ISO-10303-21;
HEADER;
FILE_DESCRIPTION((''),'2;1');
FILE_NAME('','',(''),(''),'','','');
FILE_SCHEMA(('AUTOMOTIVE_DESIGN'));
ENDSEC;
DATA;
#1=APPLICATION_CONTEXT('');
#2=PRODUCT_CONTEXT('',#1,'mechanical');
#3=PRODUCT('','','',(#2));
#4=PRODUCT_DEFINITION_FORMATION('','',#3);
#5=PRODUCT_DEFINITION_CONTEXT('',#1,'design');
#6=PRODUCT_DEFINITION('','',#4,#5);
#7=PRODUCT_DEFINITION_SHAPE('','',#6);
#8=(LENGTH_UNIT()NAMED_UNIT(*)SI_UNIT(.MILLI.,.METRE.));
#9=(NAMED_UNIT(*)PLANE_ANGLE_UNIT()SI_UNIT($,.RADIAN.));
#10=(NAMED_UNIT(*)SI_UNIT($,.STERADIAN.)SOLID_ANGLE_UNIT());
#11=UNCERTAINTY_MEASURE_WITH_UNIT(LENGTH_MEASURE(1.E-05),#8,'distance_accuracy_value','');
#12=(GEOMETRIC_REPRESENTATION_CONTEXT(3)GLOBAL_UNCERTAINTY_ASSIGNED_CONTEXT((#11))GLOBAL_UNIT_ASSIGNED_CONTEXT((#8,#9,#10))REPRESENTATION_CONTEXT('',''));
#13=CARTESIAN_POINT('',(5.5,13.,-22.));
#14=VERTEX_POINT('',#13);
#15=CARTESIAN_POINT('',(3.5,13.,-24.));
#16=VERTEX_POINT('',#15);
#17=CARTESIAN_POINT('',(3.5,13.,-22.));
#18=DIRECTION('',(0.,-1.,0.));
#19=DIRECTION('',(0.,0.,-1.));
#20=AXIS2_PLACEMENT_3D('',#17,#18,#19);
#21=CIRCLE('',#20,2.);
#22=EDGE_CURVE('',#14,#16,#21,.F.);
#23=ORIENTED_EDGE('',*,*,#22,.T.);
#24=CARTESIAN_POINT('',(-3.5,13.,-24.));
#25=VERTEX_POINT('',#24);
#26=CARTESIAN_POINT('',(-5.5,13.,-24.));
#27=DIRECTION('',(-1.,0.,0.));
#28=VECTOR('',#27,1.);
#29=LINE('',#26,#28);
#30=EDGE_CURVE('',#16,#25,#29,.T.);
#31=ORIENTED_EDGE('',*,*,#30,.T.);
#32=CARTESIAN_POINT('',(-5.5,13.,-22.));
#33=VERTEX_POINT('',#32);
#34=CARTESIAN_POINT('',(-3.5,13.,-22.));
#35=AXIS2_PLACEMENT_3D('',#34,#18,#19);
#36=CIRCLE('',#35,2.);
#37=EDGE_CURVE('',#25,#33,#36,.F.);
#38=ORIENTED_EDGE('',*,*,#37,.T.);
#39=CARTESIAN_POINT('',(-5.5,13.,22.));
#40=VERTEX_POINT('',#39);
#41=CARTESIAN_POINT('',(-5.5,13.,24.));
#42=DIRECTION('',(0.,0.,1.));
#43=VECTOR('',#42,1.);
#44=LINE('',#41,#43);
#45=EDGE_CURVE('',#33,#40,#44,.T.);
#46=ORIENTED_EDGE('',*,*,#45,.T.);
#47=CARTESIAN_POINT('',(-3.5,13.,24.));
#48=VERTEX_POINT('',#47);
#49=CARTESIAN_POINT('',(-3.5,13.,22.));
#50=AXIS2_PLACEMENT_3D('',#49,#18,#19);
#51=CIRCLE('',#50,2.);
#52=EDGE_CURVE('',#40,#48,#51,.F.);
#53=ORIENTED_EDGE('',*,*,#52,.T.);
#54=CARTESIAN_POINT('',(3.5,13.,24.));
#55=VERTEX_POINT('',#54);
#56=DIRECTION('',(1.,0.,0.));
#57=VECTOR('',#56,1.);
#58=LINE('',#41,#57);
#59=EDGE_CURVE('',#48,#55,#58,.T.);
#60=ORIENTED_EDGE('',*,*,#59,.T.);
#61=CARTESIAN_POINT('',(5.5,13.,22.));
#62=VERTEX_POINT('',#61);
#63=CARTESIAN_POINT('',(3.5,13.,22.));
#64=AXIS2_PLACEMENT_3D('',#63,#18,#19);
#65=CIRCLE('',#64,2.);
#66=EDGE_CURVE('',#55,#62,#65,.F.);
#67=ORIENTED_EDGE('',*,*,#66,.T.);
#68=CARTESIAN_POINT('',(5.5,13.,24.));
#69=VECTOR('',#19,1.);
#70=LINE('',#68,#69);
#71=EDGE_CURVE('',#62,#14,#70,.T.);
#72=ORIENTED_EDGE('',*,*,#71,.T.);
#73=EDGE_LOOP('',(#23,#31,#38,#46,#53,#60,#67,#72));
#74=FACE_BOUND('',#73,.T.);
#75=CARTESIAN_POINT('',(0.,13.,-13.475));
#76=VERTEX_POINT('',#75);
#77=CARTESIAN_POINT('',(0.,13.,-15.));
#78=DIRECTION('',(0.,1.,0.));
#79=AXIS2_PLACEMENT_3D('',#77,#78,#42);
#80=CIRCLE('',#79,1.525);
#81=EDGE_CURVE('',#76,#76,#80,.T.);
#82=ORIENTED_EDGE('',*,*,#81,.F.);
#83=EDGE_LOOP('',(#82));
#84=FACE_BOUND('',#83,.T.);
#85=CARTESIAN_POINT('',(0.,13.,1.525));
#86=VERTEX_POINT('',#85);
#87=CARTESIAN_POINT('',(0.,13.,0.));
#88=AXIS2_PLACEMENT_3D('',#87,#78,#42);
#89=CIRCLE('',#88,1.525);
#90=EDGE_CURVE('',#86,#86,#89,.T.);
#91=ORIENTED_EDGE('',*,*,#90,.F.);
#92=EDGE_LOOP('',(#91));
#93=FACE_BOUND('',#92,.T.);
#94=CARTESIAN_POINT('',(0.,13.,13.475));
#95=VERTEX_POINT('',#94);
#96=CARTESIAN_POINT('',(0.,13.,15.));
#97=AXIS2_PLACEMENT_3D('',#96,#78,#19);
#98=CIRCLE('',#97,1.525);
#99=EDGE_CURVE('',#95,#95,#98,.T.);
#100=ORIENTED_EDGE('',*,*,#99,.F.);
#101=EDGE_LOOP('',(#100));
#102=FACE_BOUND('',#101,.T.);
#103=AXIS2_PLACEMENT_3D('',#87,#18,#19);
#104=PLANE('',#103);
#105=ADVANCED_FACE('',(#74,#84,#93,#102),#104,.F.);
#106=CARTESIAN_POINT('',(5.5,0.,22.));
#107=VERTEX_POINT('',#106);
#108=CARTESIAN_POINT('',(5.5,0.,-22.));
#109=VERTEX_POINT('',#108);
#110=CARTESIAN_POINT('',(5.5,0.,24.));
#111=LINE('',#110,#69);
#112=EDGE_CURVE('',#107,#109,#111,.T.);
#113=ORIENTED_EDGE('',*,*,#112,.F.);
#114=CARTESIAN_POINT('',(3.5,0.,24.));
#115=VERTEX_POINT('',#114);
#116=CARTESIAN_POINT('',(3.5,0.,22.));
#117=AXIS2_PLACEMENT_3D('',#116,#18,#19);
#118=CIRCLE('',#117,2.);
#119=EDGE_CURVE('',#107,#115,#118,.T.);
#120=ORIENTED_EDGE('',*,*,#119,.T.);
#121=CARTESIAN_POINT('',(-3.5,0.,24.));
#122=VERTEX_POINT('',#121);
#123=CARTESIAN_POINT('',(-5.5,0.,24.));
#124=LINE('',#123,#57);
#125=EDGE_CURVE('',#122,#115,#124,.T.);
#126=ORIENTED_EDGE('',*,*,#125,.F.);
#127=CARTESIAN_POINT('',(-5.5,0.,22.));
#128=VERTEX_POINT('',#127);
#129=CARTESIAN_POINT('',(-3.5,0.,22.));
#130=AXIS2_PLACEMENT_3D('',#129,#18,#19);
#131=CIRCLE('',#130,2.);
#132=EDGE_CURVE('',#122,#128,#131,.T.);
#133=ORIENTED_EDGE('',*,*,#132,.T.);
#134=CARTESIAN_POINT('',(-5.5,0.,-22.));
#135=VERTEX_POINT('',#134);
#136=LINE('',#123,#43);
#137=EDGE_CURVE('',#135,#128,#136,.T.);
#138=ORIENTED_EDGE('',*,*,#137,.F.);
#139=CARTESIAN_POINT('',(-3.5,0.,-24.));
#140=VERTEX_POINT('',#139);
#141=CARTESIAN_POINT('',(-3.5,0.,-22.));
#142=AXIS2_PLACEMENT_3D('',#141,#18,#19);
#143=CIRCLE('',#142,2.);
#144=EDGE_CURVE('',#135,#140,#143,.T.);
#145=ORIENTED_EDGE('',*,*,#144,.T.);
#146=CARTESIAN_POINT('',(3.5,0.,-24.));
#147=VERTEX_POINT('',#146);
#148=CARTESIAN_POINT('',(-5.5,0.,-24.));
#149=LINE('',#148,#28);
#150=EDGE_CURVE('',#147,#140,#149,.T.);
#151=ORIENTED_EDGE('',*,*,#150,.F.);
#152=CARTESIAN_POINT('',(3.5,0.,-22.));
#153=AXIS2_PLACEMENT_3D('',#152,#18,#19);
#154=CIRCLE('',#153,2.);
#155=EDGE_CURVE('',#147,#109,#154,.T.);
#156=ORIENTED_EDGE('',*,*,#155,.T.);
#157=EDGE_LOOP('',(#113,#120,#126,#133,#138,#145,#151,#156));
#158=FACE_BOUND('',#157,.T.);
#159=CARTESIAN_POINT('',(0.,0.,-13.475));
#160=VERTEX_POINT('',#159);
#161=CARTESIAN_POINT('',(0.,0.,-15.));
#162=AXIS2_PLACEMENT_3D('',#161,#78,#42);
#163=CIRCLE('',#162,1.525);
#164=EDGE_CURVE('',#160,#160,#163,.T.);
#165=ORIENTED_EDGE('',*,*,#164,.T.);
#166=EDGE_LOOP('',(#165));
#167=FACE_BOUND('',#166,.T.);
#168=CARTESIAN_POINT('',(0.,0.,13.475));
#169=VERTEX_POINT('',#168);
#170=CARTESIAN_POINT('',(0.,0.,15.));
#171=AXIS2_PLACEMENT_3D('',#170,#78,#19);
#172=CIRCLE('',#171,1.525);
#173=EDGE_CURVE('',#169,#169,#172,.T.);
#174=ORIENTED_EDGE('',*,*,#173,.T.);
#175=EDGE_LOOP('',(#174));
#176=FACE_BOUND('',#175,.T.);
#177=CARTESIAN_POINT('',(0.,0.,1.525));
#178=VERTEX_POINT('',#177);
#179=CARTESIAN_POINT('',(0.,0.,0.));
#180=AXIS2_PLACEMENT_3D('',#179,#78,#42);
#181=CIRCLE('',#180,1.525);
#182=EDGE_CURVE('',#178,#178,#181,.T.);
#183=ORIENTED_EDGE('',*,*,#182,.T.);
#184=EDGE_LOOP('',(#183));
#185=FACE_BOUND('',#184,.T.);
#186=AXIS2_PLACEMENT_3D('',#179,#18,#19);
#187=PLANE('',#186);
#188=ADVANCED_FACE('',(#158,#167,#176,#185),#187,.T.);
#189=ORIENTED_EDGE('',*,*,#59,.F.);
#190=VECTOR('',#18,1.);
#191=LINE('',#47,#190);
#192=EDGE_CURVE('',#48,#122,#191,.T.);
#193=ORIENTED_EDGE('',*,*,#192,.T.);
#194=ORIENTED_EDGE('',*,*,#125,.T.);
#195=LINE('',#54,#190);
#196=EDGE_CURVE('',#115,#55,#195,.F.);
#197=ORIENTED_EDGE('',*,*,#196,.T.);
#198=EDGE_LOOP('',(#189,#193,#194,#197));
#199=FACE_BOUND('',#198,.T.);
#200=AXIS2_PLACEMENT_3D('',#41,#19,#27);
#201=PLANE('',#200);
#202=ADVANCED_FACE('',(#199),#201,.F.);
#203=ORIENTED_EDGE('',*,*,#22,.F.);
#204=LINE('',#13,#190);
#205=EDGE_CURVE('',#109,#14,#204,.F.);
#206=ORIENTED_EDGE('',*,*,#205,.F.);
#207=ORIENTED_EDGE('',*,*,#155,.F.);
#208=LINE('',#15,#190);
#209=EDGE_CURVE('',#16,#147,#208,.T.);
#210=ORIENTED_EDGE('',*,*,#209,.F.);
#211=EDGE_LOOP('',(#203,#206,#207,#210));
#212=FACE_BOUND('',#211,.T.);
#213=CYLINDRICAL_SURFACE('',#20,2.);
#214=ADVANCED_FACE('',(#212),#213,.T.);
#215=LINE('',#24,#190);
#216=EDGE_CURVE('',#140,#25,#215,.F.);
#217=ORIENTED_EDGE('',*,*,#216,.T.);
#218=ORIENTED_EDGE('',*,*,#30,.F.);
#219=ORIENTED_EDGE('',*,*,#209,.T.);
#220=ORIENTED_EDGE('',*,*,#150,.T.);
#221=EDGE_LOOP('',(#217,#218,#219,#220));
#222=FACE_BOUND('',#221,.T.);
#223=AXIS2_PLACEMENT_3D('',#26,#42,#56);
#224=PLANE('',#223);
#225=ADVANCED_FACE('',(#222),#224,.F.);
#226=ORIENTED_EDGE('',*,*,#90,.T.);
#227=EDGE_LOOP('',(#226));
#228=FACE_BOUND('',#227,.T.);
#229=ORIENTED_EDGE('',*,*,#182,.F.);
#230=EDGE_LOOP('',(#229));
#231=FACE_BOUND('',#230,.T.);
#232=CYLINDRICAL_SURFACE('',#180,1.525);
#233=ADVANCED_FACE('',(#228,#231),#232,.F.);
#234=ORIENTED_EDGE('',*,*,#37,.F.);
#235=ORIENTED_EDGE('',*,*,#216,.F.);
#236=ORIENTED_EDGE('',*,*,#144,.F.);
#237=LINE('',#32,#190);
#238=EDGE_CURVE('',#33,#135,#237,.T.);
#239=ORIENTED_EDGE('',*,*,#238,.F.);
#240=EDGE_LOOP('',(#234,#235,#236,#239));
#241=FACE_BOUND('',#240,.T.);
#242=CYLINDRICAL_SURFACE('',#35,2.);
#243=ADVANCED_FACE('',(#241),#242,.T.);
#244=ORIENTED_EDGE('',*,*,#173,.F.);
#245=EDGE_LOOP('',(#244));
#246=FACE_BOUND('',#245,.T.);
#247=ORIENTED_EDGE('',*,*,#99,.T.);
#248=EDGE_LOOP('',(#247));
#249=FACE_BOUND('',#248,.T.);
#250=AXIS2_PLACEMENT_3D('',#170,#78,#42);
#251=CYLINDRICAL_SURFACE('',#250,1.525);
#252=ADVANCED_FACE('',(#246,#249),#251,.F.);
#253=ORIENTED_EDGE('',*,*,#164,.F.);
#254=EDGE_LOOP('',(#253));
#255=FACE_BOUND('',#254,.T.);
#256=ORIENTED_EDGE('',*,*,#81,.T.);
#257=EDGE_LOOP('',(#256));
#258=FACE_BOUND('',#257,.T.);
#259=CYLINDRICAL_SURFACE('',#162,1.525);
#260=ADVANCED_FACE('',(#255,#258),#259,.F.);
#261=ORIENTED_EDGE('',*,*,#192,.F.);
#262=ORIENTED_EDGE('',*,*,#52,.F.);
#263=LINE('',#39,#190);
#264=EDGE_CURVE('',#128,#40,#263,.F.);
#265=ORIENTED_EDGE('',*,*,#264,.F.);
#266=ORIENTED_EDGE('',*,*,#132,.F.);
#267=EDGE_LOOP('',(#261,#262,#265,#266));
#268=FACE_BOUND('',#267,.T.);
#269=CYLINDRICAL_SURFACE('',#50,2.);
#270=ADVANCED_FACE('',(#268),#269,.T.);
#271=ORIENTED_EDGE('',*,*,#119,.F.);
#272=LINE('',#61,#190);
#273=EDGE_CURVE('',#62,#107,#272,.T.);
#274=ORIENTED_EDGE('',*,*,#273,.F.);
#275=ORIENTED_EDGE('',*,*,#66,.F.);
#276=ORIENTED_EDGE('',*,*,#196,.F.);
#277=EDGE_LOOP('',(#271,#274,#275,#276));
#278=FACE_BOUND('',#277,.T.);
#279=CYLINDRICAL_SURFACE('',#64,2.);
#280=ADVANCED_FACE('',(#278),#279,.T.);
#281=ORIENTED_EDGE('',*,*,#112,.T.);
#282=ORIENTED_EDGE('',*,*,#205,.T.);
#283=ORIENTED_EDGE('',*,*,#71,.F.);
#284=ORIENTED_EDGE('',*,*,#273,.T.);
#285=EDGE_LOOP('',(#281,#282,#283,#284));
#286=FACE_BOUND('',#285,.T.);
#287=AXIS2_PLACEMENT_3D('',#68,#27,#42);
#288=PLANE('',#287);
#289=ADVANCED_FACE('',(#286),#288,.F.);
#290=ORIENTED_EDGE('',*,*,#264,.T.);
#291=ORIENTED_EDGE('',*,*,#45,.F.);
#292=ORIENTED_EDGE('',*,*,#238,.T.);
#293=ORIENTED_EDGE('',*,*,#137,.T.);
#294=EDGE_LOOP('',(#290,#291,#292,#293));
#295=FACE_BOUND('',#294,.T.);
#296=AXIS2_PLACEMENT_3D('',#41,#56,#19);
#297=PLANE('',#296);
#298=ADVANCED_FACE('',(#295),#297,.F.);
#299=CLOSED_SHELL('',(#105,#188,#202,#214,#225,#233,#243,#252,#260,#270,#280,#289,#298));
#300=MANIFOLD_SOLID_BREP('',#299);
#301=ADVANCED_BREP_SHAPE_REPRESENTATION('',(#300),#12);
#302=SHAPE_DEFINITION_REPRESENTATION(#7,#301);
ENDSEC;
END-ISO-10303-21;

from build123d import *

# Parameters (mm, degrees)
SKETCH_1_W          = 11
SKETCH_1_H          = 48
EXTRUDE_1_DEPTH     = 13
FILLET_1_R          = 2
SKETCH_5_R          = 1.525
CUT_EXTRUDE_1_DEPTH = 14


with BuildPart() as part:
    # 草图1 → 凸台-拉伸1 (new body)
    with BuildSketch(Plane(origin=(0, 0, 0), x_dir=(1, 0, 0), z_dir=(0, 1, 0))):
        Rectangle(SKETCH_1_W, SKETCH_1_H)
    extrude(amount=EXTRUDE_1_DEPTH)

    # 圆角1
    fillet_1_edges = [part.edges().sort_by_distance(p)[0] for p in [
        (5.5, 6.5, 24),
        (-5.5, 6.5, 24),
        (-5.5, 6.5, -24),
        (5.5, 6.5, -24),
    ]]
    fillet(fillet_1_edges, radius=FILLET_1_R)

    # 草图5 → 切除-拉伸1 (cut, through all)
    with BuildSketch(Plane(origin=(0, 13, 0), x_dir=(1, 0, 0), z_dir=(0, 1, 0))):
        Circle(SKETCH_5_R)
        with Locations((0, 15)):
            Circle(SKETCH_5_R)
        with Locations((0, -15)):
            Circle(SKETCH_5_R)
    extrude(amount=-CUT_EXTRUDE_1_DEPTH, mode=Mode.SUBTRACT)


solid = part.part
